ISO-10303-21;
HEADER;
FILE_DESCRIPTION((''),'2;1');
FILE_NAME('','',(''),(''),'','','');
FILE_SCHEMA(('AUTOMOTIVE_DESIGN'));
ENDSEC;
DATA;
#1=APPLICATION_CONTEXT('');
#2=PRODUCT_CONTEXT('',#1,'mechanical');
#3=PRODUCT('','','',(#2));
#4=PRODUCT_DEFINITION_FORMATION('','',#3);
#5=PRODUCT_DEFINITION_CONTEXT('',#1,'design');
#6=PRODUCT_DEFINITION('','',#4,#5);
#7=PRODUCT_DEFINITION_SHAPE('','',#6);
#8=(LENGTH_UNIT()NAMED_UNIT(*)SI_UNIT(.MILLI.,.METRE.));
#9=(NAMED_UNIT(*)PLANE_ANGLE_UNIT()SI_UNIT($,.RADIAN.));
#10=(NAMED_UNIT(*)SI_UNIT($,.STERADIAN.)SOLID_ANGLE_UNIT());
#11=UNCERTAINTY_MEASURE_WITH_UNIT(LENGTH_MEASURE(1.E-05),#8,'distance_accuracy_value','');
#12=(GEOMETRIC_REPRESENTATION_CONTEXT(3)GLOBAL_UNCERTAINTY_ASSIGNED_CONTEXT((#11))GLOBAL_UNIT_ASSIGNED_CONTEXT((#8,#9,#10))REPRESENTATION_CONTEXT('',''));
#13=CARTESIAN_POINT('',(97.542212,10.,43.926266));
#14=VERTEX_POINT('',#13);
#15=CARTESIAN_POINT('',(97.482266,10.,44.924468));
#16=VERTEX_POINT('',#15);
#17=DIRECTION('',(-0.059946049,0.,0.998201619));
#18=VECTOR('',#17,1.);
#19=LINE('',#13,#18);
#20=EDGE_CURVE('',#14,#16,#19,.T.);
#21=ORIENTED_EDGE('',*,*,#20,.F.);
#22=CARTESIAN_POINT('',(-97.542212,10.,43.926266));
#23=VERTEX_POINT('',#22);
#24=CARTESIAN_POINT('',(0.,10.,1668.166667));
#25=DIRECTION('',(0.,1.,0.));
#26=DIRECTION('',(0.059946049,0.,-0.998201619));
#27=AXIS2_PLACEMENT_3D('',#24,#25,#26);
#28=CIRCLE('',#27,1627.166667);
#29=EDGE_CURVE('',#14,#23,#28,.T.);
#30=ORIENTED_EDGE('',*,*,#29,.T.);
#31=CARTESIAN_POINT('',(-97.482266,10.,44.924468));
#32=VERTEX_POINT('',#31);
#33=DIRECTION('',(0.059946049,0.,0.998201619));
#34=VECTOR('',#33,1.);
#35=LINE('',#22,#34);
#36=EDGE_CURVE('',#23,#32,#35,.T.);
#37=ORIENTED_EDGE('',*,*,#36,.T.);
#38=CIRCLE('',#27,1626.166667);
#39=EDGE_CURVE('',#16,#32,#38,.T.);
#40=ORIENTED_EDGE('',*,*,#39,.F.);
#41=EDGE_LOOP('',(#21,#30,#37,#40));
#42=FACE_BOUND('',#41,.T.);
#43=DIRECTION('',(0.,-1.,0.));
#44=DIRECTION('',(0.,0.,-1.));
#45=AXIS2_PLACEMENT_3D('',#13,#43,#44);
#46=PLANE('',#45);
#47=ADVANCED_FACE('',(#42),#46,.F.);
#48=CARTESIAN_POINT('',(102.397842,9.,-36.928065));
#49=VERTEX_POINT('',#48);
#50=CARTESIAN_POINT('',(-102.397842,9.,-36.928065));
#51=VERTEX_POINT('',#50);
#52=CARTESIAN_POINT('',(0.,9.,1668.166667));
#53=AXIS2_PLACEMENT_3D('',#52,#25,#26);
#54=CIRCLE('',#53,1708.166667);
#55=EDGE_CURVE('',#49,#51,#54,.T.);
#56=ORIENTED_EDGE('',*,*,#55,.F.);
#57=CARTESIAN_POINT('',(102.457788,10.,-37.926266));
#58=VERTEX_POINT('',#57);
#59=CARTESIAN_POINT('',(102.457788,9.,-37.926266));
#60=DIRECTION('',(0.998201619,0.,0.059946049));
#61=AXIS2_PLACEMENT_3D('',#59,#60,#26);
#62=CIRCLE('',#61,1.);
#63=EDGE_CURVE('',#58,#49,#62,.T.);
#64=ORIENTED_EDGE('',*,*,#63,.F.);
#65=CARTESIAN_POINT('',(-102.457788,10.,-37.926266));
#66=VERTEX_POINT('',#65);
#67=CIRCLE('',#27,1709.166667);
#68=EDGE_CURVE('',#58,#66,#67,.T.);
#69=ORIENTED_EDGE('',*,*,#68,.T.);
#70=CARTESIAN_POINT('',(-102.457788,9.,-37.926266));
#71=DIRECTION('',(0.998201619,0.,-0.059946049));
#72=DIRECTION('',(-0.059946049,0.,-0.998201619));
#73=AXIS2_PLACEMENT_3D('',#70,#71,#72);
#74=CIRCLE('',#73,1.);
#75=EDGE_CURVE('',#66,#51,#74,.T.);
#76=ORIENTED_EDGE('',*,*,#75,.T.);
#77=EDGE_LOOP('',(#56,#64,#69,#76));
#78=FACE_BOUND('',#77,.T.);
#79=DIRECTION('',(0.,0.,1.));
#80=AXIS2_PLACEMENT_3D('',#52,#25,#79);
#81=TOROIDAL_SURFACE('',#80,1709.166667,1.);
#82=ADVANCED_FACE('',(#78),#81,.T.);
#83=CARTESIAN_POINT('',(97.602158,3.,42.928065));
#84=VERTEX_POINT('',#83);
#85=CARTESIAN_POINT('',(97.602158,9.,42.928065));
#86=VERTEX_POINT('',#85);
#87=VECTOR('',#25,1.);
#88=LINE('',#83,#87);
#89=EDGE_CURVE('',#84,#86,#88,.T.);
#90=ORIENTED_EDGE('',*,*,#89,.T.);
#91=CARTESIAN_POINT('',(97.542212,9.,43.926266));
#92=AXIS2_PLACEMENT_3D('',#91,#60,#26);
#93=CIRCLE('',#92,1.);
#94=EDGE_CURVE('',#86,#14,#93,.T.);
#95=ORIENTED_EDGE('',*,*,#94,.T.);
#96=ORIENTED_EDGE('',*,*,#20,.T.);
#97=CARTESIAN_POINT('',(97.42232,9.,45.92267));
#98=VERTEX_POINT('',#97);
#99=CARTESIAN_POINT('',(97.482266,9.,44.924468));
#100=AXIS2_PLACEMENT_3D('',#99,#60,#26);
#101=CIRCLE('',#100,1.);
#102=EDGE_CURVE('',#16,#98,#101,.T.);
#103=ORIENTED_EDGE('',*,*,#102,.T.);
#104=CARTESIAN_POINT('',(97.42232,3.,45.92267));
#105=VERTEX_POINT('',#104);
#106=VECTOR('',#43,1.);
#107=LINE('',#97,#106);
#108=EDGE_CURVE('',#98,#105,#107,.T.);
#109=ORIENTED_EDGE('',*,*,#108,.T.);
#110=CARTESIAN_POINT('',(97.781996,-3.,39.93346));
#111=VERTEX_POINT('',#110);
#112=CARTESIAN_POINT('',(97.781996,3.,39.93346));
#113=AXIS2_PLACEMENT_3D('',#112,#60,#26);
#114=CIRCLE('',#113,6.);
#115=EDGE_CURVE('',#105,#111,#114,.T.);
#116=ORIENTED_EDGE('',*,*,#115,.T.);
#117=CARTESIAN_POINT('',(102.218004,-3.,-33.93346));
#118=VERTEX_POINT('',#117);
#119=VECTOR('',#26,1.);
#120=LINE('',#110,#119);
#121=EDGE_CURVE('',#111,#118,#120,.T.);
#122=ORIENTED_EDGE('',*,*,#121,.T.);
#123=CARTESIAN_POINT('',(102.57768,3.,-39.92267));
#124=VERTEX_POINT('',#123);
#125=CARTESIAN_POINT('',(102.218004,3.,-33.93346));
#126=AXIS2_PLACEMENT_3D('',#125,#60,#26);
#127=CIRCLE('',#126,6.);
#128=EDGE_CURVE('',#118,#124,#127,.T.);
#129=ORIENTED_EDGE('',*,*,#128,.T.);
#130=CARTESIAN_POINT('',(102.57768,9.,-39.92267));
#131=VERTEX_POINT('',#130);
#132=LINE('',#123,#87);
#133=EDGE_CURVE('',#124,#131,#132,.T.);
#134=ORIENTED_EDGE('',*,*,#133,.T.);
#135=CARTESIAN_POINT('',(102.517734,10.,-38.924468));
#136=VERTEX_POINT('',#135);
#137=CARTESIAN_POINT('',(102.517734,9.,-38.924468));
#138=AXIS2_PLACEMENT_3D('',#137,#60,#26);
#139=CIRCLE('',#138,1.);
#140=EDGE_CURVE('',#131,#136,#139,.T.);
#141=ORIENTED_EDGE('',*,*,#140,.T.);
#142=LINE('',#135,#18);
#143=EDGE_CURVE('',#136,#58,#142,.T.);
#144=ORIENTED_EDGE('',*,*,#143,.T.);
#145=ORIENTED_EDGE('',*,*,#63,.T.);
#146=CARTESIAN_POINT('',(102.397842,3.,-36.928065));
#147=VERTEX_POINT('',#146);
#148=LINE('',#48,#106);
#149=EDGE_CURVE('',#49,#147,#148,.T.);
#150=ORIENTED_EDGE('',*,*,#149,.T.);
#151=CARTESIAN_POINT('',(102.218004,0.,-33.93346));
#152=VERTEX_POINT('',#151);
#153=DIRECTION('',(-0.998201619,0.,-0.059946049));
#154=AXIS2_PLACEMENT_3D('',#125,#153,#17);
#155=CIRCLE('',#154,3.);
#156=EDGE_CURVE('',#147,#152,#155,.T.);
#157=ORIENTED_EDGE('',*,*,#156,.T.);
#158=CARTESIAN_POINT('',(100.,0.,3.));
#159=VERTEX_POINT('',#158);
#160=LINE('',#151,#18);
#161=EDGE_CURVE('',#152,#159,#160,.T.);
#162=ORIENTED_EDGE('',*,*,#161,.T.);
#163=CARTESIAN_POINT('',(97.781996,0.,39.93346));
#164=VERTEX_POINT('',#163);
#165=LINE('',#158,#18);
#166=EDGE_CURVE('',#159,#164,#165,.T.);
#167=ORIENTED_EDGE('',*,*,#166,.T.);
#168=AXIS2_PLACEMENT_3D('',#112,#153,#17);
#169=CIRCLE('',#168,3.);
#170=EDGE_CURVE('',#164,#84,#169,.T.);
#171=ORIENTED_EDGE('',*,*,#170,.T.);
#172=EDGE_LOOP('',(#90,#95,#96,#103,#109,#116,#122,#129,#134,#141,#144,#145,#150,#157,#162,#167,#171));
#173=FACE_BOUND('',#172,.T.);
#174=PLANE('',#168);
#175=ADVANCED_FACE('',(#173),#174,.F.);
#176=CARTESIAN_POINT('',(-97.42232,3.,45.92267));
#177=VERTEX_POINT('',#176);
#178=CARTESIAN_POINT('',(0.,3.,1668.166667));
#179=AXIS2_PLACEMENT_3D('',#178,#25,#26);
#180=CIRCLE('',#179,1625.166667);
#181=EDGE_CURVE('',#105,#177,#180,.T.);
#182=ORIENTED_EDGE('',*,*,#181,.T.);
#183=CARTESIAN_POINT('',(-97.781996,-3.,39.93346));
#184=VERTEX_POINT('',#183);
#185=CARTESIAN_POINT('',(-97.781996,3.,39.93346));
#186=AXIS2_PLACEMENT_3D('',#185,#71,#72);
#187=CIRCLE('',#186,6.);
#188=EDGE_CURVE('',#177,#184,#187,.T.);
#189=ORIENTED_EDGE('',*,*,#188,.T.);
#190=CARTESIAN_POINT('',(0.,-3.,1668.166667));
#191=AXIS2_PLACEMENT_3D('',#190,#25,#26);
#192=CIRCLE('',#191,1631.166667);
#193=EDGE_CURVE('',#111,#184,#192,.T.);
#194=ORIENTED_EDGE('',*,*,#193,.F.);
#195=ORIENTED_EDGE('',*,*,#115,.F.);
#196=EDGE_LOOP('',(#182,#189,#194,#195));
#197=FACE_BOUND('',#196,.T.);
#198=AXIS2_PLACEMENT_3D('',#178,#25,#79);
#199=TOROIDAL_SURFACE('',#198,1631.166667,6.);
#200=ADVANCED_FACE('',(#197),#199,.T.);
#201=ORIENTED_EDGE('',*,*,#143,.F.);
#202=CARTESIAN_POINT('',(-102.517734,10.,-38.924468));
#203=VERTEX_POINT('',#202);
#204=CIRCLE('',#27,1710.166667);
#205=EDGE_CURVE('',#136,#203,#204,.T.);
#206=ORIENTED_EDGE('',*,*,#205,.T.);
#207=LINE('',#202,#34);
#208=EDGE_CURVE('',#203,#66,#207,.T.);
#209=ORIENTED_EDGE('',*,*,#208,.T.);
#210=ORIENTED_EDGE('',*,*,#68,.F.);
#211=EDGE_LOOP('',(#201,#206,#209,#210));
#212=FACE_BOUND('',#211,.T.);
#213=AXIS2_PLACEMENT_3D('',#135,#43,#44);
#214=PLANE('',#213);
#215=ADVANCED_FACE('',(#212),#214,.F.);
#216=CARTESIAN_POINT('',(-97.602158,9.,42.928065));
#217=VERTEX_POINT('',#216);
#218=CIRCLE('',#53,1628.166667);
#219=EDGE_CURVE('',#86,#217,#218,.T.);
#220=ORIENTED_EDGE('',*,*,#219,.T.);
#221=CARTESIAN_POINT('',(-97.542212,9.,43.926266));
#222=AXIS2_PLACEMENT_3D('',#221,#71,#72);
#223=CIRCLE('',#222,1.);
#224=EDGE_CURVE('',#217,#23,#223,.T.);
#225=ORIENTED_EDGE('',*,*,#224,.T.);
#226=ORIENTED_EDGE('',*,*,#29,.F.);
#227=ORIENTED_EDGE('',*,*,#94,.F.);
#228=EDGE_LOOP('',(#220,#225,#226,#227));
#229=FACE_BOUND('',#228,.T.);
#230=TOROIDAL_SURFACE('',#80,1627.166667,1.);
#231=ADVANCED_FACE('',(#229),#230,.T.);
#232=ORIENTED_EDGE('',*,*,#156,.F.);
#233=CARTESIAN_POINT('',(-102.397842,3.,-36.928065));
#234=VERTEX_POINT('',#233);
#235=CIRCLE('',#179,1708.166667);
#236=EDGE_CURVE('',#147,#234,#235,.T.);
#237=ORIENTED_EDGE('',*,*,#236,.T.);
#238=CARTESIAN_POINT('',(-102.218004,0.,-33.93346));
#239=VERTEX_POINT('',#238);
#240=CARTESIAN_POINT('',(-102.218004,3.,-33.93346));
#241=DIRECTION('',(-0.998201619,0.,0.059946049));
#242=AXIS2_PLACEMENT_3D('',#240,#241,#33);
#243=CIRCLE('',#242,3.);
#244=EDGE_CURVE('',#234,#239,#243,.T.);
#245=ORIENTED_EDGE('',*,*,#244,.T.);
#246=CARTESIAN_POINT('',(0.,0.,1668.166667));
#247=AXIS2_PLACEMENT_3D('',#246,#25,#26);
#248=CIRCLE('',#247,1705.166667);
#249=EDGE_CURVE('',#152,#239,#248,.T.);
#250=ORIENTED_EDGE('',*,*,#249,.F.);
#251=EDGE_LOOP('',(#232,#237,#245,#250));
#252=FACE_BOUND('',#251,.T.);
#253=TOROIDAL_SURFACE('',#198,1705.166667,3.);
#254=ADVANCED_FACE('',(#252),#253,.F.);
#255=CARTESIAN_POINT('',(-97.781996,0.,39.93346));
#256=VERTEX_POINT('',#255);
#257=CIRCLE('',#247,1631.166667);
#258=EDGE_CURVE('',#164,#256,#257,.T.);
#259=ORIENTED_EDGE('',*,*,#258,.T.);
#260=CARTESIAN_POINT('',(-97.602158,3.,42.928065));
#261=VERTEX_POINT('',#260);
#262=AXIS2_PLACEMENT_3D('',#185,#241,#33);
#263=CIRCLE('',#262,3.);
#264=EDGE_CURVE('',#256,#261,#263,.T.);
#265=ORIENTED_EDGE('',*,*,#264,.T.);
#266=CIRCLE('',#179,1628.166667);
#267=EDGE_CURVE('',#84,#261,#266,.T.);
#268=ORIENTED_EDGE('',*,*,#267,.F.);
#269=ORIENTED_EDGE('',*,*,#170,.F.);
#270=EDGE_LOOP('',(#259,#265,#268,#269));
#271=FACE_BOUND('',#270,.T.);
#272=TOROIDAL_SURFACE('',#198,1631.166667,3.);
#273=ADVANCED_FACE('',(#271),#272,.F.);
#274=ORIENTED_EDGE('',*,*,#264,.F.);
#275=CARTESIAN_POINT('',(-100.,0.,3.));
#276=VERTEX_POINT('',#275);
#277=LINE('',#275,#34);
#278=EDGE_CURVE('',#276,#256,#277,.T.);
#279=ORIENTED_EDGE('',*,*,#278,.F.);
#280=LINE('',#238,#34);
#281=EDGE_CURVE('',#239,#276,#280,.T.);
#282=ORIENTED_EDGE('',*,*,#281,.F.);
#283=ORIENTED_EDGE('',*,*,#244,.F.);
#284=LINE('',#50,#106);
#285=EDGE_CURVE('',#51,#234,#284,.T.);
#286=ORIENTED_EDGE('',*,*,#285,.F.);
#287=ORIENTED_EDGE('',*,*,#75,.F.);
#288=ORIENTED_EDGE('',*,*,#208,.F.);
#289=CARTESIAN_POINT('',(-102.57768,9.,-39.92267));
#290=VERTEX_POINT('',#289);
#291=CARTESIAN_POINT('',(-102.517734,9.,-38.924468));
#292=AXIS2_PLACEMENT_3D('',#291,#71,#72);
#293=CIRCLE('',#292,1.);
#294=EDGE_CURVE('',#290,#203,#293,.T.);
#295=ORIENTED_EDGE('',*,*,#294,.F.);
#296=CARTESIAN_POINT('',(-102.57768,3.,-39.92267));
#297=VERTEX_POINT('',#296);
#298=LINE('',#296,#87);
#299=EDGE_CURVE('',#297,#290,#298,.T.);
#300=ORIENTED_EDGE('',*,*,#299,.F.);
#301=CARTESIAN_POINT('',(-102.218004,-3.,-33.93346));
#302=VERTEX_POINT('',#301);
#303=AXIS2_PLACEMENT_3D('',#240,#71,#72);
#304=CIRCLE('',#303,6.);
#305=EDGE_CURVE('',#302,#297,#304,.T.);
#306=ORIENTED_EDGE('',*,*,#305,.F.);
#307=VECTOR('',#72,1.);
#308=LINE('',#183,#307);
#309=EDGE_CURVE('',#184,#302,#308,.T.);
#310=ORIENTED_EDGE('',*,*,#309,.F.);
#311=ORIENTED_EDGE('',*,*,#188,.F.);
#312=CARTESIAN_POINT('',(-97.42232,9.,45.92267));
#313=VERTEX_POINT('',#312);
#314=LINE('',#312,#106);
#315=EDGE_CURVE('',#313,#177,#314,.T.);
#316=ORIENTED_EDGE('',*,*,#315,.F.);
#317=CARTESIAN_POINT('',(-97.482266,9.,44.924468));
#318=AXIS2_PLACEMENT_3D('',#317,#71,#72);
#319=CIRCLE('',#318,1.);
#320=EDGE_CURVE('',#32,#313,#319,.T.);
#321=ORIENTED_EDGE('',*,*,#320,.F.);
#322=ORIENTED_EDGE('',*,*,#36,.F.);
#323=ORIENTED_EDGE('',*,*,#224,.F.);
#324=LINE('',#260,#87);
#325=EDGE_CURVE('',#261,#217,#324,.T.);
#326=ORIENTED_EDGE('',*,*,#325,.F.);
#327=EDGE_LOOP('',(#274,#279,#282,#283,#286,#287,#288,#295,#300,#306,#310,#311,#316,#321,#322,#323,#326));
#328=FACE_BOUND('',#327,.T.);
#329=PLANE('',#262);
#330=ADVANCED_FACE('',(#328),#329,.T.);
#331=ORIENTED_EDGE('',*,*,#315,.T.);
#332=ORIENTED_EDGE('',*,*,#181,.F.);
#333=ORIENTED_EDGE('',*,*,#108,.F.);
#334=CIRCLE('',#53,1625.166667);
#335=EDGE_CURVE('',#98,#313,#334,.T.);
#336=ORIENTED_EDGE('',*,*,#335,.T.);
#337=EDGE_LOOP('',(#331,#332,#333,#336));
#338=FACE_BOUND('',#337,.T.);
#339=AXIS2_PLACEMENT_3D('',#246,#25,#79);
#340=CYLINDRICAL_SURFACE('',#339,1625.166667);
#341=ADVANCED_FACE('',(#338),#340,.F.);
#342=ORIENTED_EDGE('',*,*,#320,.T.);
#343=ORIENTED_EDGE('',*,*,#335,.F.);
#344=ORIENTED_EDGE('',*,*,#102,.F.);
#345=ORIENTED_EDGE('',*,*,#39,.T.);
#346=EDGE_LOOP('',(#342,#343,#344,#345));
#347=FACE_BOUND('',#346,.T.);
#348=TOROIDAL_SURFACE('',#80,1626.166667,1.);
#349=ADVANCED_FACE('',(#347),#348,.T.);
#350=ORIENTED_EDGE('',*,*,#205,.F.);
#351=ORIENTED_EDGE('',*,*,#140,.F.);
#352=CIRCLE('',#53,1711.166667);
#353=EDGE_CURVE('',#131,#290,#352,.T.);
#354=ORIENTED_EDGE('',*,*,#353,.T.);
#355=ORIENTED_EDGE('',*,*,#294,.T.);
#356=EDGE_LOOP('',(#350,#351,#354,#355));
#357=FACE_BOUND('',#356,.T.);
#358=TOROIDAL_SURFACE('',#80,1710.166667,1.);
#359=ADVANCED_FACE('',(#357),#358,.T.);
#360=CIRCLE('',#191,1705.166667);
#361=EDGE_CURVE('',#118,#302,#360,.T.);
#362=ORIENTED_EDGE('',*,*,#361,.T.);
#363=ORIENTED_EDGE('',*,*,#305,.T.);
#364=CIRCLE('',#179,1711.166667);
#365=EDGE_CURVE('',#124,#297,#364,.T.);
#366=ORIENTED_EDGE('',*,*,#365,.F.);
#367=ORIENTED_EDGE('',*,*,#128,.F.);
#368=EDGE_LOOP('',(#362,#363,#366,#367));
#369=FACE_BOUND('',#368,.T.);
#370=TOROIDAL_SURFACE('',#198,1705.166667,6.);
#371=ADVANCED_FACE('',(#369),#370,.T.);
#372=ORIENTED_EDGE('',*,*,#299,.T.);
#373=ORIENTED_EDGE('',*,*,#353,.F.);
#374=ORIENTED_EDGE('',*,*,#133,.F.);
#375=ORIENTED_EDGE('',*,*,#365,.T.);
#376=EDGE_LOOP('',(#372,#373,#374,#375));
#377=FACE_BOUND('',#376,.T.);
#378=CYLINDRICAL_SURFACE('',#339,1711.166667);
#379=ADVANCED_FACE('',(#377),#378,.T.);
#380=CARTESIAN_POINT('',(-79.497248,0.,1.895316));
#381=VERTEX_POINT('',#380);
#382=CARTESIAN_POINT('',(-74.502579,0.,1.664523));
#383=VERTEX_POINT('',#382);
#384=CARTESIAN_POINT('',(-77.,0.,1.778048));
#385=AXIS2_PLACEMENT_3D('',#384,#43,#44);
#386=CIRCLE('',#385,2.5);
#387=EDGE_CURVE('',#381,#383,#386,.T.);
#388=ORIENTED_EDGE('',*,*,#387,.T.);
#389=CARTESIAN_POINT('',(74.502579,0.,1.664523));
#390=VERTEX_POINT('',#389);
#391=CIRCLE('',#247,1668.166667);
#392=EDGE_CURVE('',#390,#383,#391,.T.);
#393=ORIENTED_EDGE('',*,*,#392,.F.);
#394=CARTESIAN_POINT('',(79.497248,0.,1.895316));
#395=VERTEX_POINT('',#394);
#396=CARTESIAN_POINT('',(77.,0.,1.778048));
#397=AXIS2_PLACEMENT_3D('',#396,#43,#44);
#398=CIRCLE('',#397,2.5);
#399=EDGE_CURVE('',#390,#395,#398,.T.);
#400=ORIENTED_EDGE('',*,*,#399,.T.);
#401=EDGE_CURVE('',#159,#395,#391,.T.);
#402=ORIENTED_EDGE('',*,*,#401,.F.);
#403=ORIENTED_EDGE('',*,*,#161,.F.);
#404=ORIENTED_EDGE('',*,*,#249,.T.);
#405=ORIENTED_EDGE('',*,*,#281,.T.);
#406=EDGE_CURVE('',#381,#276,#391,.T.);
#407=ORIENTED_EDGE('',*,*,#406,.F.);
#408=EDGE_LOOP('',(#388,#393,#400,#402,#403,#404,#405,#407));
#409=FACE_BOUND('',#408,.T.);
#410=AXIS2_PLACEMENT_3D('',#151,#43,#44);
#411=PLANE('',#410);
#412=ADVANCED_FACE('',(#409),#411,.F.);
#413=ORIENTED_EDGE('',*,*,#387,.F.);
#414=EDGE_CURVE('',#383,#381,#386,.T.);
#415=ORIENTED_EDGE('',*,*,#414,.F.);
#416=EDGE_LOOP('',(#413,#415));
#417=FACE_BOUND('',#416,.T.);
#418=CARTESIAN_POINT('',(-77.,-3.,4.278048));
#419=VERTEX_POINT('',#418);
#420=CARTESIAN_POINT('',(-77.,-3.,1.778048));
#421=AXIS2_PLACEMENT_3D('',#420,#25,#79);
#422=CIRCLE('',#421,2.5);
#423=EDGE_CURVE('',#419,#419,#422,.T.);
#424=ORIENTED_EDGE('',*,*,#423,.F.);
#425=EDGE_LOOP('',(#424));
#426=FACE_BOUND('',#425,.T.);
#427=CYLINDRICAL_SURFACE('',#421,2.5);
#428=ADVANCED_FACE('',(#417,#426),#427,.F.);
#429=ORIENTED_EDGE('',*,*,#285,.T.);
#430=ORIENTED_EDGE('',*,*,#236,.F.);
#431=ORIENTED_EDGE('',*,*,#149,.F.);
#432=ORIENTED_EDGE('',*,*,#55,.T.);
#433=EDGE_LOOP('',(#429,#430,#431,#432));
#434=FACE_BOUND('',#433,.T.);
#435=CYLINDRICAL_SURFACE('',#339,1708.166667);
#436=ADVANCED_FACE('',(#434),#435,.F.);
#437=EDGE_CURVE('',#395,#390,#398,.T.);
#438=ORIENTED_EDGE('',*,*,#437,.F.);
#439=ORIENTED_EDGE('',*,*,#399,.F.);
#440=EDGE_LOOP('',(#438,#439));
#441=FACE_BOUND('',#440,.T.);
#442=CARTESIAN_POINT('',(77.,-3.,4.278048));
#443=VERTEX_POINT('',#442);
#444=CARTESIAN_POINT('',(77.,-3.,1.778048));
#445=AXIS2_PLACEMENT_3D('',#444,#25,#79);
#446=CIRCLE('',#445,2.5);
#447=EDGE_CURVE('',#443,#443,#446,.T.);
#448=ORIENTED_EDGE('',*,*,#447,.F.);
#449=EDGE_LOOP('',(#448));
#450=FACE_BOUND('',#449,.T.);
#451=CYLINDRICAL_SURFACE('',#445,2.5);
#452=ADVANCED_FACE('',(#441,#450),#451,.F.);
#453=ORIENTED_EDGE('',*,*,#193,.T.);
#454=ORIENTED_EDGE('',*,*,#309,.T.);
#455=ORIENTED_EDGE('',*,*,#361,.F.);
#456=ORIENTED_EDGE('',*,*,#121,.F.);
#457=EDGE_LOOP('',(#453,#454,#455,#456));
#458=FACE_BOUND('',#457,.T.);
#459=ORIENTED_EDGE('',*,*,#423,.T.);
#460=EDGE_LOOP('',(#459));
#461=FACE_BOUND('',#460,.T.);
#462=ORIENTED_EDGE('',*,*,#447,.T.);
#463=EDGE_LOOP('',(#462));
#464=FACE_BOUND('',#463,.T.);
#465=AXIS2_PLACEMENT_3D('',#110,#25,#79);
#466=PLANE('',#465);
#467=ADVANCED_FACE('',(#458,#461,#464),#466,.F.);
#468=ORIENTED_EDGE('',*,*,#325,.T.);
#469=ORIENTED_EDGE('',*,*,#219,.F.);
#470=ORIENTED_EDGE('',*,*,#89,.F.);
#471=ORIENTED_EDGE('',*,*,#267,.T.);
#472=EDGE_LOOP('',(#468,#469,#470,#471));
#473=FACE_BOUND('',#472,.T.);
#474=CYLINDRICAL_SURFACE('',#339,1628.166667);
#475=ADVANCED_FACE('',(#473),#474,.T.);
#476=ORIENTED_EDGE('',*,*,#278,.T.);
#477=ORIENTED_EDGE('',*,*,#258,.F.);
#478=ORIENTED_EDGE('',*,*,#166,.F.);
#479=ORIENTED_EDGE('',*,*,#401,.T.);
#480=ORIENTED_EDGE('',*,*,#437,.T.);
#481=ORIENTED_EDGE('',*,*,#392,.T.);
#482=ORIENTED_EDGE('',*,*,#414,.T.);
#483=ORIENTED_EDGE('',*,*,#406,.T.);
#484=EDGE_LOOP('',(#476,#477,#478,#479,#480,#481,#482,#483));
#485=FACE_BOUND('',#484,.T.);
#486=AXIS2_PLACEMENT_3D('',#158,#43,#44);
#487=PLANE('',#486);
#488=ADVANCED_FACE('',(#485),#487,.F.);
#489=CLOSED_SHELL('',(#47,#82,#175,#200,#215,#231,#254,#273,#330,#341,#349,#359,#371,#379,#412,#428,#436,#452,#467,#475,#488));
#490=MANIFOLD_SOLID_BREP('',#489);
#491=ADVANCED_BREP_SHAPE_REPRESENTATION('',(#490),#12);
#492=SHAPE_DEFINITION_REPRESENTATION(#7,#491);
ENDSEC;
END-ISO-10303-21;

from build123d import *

# Parameters (mm, degrees)
RETAINING_SCREW_HOLES_DEPTH      = 113.83205248
RETAINING_SCREW_HOLES_DEPTH_BACK = 113.83205248
SKETCH3_R                        = 2.5


with BuildPart() as part:
    # Ceiling structural member cradle: sweep along a path in Sketch2
    with BuildLine(Plane(origin=(0, 0, 0), x_dir=(1, 0, 0), z_dir=(0, 1, 0))) as ceiling_structural_member_cradle_path:
        ThreePointArc((-100, -3), (0, 0), (100, -3))
    # Sketch1 → Ceiling structural member cradle (sweep)
    with BuildSketch(Plane(origin=(0, 0, 0), x_dir=(0, 0, -1), z_dir=(1, 0, 0))):
        with BuildLine():
            Line((0, 0), (-37, 0))
            ThreePointArc((-37, 0), (-39.121320344, 0.878679656), (-40, 3))
            Line((-40, 3), (-40, 9))
            ThreePointArc((-40, 9), (-40.292893219, 9.707106781), (-41, 10))
            Line((-41, 10), (-42, 10))
            ThreePointArc((-42, 10), (-42.707106781, 9.707106781), (-43, 9))
            Line((-43, 9), (-43, 3))
            ThreePointArc((-43, 3), (-41.242640687, -1.242640687), (-37, -3))
            Line((-37, -3), (37, -3))
            ThreePointArc((37, -3), (41.242640687, -1.242640687), (43, 3))
            Line((43, 3), (43, 9))
            ThreePointArc((43, 9), (42.707106781, 9.707106781), (42, 10))
            Line((42, 10), (41, 10))
            ThreePointArc((41, 10), (40.292893219, 9.707106781), (40, 9))
            Line((40, 9), (40, 3))
            ThreePointArc((40, 3), (39.121320344, 0.878679656), (37, 0))
            Line((37, 0), (0, 0))
        make_face()
    sweep(path=ceiling_structural_member_cradle_path.line)

    # Sketch3 → Retaining screw holes (cut, two sides: drawn at the far end of the back side and taken through both)
    with BuildSketch(Plane(origin=(0, 0, 0), x_dir=(1, 0, 0), z_dir=(0, 1, 0)).offset(-RETAINING_SCREW_HOLES_DEPTH_BACK)):
        with Locations(Location((-77, -1.778048193, 0), (0, 0, 270))):
            Circle(SKETCH3_R)
        with Locations(Location((77, -1.778048193, 0), (0, 0, 270))):
            Circle(SKETCH3_R)
    extrude(amount=RETAINING_SCREW_HOLES_DEPTH + RETAINING_SCREW_HOLES_DEPTH_BACK, mode=Mode.SUBTRACT)


solid = part.part
